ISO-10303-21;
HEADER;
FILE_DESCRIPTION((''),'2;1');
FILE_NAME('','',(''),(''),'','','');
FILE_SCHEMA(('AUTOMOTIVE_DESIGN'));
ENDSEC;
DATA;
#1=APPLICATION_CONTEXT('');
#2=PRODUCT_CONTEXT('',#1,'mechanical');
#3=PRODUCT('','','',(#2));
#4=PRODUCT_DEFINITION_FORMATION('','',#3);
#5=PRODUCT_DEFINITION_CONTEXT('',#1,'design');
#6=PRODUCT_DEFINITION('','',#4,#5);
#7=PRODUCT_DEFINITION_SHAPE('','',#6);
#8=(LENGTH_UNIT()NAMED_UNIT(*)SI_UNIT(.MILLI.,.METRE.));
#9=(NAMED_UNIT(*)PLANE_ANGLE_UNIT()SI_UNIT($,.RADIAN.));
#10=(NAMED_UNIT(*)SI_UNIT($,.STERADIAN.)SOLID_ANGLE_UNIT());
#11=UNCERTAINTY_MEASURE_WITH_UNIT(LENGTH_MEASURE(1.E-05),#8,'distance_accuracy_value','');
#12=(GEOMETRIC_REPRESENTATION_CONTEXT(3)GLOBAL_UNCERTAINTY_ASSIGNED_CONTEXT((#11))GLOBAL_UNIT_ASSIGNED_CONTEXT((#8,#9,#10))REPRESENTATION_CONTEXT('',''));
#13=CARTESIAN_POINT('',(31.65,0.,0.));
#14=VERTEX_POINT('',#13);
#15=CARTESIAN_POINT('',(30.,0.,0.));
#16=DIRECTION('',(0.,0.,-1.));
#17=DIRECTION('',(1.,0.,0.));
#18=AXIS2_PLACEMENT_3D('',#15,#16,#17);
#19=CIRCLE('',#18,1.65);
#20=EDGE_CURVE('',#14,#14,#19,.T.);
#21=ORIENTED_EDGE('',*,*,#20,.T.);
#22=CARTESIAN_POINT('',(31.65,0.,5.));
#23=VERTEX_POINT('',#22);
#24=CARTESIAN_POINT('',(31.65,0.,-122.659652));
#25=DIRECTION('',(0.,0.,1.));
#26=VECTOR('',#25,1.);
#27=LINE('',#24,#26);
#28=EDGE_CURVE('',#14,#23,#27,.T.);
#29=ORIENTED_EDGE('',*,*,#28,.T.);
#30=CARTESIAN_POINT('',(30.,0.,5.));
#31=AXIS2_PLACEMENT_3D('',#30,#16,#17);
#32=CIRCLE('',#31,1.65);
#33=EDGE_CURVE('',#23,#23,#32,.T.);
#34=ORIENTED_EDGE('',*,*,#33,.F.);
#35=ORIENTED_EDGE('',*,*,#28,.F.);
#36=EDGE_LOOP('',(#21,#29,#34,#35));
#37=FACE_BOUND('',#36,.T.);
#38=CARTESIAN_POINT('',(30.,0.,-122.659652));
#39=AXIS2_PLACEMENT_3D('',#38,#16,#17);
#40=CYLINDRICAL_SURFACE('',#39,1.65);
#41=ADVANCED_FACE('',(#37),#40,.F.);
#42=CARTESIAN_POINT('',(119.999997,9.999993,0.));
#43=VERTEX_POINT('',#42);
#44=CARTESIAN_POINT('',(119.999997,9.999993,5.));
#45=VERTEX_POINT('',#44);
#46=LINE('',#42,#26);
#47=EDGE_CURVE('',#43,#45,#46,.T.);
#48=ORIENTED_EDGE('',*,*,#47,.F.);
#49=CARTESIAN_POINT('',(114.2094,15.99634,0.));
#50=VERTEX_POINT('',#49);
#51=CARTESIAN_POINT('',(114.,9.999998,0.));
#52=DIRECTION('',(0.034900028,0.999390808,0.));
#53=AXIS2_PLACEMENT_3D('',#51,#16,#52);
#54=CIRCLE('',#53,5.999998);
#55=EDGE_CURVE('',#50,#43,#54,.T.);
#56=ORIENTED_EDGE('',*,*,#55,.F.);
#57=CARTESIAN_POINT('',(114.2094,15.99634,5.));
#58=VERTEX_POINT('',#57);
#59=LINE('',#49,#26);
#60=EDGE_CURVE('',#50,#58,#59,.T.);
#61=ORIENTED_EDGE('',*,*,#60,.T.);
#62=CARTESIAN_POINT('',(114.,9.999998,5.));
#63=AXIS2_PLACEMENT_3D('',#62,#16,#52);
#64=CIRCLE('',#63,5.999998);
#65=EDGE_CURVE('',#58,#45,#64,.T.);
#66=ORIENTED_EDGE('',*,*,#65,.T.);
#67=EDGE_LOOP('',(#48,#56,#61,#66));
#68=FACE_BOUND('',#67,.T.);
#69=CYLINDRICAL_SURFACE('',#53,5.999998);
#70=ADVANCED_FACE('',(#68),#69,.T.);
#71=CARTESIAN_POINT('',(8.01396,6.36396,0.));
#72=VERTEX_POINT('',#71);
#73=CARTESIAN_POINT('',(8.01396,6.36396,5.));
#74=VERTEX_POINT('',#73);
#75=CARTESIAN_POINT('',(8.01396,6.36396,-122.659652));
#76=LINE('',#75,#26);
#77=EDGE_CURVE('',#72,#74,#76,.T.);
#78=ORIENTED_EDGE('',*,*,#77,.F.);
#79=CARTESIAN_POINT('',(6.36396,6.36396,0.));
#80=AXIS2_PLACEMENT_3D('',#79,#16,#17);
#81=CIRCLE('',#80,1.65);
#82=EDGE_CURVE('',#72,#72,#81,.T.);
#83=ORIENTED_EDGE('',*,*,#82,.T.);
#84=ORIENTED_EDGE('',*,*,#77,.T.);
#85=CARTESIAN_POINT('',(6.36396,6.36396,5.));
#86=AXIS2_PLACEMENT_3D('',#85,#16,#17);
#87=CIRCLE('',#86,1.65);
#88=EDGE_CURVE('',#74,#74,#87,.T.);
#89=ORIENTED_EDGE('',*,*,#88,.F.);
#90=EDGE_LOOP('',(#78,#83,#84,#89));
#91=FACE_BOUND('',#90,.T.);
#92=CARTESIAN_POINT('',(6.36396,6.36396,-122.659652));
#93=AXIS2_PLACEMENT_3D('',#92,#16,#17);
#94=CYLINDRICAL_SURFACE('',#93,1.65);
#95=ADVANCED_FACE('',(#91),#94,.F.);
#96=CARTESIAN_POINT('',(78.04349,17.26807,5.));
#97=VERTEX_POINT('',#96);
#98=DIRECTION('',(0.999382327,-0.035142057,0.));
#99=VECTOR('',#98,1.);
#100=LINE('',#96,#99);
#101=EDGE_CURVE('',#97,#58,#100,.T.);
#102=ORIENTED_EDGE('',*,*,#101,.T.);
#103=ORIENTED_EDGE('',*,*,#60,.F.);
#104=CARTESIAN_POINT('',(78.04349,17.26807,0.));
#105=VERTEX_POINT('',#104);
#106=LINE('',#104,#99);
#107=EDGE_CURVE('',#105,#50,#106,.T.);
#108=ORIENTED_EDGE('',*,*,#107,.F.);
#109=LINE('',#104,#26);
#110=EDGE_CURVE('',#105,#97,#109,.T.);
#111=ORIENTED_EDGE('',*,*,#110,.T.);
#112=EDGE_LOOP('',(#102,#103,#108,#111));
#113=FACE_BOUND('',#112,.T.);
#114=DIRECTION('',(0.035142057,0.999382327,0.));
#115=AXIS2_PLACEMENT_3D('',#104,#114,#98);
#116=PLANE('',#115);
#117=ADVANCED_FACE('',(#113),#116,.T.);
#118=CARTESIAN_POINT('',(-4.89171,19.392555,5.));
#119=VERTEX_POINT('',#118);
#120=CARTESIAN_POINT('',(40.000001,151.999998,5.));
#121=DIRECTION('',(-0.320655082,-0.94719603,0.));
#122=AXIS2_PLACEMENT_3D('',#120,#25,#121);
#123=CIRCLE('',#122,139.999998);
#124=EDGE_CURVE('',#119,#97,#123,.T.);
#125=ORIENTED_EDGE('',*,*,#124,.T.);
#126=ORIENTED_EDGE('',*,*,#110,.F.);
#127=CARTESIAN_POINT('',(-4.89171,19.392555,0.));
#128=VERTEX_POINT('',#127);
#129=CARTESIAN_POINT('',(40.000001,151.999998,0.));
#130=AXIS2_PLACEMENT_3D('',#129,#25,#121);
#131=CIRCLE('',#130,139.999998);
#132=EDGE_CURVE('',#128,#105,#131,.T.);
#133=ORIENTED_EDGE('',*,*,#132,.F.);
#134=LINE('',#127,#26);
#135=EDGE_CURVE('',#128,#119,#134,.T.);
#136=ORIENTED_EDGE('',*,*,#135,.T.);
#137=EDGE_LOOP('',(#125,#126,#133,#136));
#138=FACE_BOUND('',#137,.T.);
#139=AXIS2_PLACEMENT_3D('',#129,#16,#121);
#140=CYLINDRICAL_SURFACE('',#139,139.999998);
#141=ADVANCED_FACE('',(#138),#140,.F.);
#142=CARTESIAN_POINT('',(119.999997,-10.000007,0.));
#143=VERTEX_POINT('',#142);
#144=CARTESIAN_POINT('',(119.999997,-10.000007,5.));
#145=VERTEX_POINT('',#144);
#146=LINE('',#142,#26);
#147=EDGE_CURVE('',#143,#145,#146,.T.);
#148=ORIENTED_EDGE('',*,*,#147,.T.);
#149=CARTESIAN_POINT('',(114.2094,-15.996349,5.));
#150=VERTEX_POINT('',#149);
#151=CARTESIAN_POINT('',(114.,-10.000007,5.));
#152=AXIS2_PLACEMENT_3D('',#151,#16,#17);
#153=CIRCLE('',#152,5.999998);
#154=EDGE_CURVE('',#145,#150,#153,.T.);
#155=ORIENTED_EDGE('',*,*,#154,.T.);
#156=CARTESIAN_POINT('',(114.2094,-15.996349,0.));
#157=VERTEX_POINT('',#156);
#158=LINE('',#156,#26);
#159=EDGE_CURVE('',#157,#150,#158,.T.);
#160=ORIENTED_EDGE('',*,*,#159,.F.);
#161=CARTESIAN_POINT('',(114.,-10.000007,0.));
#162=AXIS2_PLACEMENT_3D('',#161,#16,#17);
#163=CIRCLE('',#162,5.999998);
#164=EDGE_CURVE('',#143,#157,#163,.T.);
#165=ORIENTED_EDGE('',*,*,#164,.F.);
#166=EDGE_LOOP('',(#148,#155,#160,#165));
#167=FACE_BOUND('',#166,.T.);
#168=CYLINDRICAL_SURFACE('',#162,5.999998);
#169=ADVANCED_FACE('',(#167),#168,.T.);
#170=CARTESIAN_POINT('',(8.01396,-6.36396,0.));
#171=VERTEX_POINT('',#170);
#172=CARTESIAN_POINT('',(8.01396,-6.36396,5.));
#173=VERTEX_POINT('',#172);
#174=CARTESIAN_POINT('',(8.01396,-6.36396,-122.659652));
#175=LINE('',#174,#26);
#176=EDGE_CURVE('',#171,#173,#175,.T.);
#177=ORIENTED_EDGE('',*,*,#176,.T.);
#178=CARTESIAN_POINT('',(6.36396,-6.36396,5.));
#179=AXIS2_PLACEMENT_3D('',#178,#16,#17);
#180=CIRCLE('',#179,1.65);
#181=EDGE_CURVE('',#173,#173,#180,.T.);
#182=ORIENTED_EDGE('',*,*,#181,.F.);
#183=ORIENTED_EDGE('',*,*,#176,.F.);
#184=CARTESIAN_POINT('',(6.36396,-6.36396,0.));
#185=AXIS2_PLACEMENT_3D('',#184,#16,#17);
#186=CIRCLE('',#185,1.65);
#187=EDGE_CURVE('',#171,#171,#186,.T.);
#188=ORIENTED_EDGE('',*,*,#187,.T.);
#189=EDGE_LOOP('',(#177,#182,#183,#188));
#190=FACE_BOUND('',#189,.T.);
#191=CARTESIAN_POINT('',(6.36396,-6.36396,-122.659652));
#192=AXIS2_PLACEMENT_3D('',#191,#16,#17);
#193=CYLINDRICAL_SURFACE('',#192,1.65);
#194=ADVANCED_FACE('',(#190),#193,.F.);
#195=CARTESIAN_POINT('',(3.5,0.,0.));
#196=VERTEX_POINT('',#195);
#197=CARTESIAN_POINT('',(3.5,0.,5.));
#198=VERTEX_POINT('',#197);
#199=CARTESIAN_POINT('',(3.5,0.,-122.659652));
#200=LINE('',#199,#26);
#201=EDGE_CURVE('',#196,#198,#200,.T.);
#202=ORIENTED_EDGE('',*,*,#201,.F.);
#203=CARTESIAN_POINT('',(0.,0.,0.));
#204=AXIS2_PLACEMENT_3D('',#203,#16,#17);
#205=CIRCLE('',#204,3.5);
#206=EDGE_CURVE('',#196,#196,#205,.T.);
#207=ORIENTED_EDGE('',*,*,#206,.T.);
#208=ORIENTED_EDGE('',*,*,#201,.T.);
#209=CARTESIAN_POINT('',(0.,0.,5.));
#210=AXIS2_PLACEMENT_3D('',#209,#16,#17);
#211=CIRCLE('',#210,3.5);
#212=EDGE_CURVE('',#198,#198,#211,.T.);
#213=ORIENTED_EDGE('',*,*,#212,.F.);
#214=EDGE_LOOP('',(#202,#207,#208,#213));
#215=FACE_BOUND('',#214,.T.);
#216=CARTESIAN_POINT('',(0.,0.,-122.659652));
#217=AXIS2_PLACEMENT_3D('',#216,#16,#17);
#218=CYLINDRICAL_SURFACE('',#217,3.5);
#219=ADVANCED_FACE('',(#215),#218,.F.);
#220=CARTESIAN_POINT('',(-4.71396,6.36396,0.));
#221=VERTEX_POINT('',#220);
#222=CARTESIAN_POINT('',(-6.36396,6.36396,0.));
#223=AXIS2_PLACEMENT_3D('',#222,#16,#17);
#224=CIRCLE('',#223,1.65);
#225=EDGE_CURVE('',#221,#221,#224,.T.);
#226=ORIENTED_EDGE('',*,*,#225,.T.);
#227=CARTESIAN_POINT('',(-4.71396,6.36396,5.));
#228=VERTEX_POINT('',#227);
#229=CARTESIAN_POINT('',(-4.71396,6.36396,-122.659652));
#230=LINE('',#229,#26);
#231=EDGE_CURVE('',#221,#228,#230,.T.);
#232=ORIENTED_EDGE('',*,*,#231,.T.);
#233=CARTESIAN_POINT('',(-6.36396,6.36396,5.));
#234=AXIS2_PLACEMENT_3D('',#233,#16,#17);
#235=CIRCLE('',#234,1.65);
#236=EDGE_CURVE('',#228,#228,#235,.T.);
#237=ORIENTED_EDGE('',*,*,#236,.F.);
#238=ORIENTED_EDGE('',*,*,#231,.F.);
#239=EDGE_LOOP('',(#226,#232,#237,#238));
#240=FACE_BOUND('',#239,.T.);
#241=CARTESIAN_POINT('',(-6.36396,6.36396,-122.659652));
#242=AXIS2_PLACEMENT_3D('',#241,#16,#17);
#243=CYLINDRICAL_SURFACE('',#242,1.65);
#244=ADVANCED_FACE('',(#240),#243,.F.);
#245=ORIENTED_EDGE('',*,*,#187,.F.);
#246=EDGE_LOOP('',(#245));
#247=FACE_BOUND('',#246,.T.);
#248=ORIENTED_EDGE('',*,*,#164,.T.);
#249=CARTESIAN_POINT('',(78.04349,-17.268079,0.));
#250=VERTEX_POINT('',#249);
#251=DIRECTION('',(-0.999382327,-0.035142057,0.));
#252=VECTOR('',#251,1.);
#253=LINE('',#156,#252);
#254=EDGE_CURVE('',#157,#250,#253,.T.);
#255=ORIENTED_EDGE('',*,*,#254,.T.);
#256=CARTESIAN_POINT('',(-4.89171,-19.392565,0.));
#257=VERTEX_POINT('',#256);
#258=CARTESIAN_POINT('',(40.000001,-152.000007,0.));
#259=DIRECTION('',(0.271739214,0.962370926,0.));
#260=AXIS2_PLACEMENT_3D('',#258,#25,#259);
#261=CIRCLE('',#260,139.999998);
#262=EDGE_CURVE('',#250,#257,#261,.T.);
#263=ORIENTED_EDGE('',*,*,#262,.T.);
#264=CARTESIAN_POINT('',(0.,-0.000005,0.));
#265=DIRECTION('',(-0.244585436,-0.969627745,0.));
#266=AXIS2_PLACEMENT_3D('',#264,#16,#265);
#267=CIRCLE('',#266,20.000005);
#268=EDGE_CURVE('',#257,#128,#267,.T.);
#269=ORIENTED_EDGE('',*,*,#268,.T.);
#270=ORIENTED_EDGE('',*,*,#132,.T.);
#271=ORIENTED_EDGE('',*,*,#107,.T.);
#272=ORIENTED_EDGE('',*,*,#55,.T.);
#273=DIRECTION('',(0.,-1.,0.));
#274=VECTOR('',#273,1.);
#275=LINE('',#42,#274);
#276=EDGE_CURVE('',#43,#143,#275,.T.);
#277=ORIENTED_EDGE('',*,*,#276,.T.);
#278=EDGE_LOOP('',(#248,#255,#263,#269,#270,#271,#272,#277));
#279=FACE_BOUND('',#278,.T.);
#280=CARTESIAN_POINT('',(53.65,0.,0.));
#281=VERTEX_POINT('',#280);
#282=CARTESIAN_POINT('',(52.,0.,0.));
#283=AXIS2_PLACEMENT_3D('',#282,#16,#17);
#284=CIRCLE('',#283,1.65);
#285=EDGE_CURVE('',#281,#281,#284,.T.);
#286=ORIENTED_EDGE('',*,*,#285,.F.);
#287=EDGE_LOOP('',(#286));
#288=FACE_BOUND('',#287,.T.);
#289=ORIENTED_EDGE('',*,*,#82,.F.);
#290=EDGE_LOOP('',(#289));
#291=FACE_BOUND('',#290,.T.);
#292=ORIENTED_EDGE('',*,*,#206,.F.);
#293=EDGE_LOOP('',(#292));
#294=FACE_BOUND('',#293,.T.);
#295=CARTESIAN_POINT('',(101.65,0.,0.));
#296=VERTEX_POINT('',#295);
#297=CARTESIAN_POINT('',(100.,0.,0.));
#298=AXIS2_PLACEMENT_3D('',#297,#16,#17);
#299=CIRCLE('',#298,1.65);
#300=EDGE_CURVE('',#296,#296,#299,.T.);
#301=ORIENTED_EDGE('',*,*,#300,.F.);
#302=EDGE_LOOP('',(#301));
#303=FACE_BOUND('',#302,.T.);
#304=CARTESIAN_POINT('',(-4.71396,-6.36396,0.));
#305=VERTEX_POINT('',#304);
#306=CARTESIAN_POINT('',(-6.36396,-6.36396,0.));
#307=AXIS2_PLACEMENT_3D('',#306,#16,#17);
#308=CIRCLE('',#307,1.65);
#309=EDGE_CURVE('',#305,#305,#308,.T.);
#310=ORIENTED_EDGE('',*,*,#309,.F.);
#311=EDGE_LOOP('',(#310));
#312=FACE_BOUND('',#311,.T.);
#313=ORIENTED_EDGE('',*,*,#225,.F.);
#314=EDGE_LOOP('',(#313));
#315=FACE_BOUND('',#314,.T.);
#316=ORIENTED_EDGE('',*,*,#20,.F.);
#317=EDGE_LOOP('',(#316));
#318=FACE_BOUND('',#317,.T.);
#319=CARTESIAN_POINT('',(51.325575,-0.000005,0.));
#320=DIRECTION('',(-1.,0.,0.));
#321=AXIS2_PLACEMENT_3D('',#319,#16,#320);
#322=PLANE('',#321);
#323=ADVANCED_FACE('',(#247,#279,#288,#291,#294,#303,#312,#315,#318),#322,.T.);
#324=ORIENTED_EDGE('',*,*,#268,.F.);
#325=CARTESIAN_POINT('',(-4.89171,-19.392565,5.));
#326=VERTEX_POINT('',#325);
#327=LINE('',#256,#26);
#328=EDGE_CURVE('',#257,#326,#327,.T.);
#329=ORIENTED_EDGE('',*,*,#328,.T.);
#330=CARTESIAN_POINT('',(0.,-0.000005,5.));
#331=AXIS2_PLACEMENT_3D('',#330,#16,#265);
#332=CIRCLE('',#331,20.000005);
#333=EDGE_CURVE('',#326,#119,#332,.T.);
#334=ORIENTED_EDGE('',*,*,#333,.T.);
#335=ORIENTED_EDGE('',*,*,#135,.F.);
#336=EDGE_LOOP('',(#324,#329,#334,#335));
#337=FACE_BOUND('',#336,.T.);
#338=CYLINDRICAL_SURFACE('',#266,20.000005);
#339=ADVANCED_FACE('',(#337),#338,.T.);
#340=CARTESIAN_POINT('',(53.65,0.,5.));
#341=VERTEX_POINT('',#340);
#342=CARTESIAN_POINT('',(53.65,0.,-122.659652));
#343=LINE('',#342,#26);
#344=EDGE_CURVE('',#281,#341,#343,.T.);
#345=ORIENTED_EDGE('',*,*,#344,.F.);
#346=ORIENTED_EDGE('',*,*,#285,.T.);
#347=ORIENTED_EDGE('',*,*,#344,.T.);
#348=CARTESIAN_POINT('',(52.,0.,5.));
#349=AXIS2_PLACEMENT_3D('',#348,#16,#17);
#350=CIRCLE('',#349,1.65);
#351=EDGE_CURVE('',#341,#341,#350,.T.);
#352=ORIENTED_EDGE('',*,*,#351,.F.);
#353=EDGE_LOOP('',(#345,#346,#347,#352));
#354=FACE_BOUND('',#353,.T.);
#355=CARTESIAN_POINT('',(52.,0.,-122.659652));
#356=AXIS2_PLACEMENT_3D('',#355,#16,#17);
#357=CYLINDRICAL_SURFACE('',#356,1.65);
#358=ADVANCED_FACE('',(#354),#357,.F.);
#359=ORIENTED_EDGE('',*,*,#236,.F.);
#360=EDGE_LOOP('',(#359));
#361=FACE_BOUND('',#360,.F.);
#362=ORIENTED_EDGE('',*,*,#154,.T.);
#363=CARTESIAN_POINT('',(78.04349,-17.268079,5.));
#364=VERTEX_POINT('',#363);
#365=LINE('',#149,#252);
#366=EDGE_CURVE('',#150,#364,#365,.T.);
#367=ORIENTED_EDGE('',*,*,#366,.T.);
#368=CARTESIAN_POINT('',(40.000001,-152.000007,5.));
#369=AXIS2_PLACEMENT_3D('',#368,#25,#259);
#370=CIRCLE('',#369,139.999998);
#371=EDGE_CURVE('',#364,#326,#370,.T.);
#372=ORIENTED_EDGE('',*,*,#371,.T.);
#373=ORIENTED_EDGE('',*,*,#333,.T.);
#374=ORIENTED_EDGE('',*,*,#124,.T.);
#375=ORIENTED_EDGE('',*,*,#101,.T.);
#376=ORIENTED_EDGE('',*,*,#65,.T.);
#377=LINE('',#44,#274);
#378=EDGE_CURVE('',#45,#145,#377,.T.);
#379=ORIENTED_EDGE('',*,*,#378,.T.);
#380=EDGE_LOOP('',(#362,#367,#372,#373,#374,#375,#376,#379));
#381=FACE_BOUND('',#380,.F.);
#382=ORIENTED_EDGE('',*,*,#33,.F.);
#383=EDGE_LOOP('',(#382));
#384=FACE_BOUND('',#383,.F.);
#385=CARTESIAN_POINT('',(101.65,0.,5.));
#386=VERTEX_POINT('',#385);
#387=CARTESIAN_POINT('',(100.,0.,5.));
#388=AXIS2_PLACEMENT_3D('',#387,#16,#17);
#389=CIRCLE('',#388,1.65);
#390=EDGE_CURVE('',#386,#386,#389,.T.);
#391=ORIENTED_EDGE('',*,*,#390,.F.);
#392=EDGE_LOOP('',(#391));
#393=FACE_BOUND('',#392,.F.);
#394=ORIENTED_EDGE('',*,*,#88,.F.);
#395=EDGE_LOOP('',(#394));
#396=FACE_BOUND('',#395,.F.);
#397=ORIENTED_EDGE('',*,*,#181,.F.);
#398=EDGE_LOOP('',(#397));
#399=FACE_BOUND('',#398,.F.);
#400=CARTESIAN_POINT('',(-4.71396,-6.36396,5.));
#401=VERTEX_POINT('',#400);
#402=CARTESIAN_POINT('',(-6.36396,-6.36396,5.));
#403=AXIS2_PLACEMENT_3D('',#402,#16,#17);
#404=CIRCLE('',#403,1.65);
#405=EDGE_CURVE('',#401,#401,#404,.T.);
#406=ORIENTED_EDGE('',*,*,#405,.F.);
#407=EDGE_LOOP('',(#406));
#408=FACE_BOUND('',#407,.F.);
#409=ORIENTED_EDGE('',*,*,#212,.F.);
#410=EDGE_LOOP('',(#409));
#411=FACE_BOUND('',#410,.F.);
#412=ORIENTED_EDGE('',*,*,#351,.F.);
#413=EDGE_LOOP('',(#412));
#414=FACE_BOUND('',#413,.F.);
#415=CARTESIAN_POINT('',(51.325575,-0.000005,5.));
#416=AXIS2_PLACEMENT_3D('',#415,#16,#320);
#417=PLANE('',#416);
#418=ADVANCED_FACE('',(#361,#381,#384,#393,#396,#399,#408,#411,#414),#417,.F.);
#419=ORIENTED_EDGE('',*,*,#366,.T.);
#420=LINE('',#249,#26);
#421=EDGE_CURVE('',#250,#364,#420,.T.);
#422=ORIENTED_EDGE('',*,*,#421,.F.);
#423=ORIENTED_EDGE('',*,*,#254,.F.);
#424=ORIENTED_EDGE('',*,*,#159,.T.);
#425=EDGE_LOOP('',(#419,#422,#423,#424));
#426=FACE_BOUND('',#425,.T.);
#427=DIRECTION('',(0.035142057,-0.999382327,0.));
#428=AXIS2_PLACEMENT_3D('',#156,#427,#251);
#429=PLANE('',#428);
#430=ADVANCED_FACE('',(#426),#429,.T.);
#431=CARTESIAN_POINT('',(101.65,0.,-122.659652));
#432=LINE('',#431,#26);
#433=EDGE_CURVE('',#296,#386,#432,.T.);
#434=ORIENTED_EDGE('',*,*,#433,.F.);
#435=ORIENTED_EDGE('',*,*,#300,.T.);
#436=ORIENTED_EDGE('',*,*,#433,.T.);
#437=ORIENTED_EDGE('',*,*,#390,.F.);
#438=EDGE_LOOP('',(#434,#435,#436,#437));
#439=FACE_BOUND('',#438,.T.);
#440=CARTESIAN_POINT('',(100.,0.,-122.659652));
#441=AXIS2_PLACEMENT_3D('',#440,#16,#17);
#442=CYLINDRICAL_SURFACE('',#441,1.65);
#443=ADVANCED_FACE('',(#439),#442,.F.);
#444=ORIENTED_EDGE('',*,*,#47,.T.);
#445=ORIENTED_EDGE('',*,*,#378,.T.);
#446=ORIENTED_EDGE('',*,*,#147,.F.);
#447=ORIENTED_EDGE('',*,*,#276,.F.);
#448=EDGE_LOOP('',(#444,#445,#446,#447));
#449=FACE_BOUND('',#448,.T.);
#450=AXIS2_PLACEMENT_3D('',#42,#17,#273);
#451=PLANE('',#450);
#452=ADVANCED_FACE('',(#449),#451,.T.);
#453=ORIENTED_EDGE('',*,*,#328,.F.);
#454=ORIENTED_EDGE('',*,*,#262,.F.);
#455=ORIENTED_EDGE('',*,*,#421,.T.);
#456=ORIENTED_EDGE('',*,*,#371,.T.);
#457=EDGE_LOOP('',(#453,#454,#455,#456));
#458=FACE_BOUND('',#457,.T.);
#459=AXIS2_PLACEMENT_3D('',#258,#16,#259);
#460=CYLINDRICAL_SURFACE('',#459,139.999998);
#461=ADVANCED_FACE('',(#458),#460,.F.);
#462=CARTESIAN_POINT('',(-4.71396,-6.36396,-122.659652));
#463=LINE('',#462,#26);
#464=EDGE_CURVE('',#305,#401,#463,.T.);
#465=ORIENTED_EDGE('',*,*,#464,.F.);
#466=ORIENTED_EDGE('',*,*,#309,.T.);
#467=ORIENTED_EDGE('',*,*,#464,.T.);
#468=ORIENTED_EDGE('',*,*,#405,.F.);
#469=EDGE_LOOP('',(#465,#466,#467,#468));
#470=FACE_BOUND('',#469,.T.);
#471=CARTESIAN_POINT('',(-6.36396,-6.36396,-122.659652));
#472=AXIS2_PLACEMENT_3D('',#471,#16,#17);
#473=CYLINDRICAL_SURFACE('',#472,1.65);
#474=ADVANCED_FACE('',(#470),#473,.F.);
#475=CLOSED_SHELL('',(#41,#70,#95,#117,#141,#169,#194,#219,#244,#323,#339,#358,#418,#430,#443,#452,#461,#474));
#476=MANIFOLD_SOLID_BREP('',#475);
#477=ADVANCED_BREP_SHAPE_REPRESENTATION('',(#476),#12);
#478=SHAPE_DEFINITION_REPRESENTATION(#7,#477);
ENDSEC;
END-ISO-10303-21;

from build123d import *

# Parameters (mm, degrees)
PLASTINA_DEPTH        = 5
OTVERSTIYA_DEPTH      = 122.659652126
OTVERSTIYA_DEPTH_BACK = 122.659652126
ESKIZ_OTVERSTIYA_R    = 1.65
ESKIZ_OTVERSTIYA_R_2  = 3.5


with BuildPart() as part:
    # Eskiz_kontur → Plastina (new body)
    with BuildSketch(Plane.XY):
        with BuildLine():
            Line((78.04349, 17.26807), (114.2094, 15.99634))
            ThreePointArc((114.2094, 15.99634), (118.316039529, 14.167943464), (119.999997488, 9.999993404))
            Line((119.999997488, 9.999993404), (119.999997488, -10.000006596))
            ThreePointArc((119.999997488, -10.000006596), (118.31603808, -14.167953985), (114.2094, -15.996349022))
            Line((114.2094, -15.996349022), (78.04349, -17.268079022))
            ThreePointArc((78.04349, -17.268079022), (36.414907375, -12.045919499), (-4.891710116, -19.392564511))
            ThreePointArc((-4.891710116, -19.392564511), (-20.000005367, -4.511e-06), (-4.891710116, 19.392555489))
            ThreePointArc((-4.891710116, 19.392555489), (36.414907375, 12.045910477), (78.04349, 17.26807))
        make_face()
    extrude(amount=PLASTINA_DEPTH)

    # Eskiz_otverstiya → Otverstiya (cut, two sides: drawn at the far end of the back side and taken through both)
    with BuildSketch(Plane.XY.offset(-OTVERSTIYA_DEPTH_BACK)):
        with Locations((-6.36396, -6.36396)):
            Circle(ESKIZ_OTVERSTIYA_R)
        with Locations((6.36396, -6.36396)):
            Circle(ESKIZ_OTVERSTIYA_R)
        Circle(ESKIZ_OTVERSTIYA_R_2)
        with Locations((30, 0)):
            Circle(ESKIZ_OTVERSTIYA_R)
        with Locations((-6.36396, 6.36396)):
            Circle(ESKIZ_OTVERSTIYA_R)
        with Locations((6.36396, 6.36396)):
            Circle(ESKIZ_OTVERSTIYA_R)
        with Locations((52, 0)):
            Circle(ESKIZ_OTVERSTIYA_R)
        with Locations((100, 0)):
            Circle(ESKIZ_OTVERSTIYA_R)
    extrude(amount=OTVERSTIYA_DEPTH + OTVERSTIYA_DEPTH_BACK, mode=Mode.SUBTRACT)


solid = part.part
